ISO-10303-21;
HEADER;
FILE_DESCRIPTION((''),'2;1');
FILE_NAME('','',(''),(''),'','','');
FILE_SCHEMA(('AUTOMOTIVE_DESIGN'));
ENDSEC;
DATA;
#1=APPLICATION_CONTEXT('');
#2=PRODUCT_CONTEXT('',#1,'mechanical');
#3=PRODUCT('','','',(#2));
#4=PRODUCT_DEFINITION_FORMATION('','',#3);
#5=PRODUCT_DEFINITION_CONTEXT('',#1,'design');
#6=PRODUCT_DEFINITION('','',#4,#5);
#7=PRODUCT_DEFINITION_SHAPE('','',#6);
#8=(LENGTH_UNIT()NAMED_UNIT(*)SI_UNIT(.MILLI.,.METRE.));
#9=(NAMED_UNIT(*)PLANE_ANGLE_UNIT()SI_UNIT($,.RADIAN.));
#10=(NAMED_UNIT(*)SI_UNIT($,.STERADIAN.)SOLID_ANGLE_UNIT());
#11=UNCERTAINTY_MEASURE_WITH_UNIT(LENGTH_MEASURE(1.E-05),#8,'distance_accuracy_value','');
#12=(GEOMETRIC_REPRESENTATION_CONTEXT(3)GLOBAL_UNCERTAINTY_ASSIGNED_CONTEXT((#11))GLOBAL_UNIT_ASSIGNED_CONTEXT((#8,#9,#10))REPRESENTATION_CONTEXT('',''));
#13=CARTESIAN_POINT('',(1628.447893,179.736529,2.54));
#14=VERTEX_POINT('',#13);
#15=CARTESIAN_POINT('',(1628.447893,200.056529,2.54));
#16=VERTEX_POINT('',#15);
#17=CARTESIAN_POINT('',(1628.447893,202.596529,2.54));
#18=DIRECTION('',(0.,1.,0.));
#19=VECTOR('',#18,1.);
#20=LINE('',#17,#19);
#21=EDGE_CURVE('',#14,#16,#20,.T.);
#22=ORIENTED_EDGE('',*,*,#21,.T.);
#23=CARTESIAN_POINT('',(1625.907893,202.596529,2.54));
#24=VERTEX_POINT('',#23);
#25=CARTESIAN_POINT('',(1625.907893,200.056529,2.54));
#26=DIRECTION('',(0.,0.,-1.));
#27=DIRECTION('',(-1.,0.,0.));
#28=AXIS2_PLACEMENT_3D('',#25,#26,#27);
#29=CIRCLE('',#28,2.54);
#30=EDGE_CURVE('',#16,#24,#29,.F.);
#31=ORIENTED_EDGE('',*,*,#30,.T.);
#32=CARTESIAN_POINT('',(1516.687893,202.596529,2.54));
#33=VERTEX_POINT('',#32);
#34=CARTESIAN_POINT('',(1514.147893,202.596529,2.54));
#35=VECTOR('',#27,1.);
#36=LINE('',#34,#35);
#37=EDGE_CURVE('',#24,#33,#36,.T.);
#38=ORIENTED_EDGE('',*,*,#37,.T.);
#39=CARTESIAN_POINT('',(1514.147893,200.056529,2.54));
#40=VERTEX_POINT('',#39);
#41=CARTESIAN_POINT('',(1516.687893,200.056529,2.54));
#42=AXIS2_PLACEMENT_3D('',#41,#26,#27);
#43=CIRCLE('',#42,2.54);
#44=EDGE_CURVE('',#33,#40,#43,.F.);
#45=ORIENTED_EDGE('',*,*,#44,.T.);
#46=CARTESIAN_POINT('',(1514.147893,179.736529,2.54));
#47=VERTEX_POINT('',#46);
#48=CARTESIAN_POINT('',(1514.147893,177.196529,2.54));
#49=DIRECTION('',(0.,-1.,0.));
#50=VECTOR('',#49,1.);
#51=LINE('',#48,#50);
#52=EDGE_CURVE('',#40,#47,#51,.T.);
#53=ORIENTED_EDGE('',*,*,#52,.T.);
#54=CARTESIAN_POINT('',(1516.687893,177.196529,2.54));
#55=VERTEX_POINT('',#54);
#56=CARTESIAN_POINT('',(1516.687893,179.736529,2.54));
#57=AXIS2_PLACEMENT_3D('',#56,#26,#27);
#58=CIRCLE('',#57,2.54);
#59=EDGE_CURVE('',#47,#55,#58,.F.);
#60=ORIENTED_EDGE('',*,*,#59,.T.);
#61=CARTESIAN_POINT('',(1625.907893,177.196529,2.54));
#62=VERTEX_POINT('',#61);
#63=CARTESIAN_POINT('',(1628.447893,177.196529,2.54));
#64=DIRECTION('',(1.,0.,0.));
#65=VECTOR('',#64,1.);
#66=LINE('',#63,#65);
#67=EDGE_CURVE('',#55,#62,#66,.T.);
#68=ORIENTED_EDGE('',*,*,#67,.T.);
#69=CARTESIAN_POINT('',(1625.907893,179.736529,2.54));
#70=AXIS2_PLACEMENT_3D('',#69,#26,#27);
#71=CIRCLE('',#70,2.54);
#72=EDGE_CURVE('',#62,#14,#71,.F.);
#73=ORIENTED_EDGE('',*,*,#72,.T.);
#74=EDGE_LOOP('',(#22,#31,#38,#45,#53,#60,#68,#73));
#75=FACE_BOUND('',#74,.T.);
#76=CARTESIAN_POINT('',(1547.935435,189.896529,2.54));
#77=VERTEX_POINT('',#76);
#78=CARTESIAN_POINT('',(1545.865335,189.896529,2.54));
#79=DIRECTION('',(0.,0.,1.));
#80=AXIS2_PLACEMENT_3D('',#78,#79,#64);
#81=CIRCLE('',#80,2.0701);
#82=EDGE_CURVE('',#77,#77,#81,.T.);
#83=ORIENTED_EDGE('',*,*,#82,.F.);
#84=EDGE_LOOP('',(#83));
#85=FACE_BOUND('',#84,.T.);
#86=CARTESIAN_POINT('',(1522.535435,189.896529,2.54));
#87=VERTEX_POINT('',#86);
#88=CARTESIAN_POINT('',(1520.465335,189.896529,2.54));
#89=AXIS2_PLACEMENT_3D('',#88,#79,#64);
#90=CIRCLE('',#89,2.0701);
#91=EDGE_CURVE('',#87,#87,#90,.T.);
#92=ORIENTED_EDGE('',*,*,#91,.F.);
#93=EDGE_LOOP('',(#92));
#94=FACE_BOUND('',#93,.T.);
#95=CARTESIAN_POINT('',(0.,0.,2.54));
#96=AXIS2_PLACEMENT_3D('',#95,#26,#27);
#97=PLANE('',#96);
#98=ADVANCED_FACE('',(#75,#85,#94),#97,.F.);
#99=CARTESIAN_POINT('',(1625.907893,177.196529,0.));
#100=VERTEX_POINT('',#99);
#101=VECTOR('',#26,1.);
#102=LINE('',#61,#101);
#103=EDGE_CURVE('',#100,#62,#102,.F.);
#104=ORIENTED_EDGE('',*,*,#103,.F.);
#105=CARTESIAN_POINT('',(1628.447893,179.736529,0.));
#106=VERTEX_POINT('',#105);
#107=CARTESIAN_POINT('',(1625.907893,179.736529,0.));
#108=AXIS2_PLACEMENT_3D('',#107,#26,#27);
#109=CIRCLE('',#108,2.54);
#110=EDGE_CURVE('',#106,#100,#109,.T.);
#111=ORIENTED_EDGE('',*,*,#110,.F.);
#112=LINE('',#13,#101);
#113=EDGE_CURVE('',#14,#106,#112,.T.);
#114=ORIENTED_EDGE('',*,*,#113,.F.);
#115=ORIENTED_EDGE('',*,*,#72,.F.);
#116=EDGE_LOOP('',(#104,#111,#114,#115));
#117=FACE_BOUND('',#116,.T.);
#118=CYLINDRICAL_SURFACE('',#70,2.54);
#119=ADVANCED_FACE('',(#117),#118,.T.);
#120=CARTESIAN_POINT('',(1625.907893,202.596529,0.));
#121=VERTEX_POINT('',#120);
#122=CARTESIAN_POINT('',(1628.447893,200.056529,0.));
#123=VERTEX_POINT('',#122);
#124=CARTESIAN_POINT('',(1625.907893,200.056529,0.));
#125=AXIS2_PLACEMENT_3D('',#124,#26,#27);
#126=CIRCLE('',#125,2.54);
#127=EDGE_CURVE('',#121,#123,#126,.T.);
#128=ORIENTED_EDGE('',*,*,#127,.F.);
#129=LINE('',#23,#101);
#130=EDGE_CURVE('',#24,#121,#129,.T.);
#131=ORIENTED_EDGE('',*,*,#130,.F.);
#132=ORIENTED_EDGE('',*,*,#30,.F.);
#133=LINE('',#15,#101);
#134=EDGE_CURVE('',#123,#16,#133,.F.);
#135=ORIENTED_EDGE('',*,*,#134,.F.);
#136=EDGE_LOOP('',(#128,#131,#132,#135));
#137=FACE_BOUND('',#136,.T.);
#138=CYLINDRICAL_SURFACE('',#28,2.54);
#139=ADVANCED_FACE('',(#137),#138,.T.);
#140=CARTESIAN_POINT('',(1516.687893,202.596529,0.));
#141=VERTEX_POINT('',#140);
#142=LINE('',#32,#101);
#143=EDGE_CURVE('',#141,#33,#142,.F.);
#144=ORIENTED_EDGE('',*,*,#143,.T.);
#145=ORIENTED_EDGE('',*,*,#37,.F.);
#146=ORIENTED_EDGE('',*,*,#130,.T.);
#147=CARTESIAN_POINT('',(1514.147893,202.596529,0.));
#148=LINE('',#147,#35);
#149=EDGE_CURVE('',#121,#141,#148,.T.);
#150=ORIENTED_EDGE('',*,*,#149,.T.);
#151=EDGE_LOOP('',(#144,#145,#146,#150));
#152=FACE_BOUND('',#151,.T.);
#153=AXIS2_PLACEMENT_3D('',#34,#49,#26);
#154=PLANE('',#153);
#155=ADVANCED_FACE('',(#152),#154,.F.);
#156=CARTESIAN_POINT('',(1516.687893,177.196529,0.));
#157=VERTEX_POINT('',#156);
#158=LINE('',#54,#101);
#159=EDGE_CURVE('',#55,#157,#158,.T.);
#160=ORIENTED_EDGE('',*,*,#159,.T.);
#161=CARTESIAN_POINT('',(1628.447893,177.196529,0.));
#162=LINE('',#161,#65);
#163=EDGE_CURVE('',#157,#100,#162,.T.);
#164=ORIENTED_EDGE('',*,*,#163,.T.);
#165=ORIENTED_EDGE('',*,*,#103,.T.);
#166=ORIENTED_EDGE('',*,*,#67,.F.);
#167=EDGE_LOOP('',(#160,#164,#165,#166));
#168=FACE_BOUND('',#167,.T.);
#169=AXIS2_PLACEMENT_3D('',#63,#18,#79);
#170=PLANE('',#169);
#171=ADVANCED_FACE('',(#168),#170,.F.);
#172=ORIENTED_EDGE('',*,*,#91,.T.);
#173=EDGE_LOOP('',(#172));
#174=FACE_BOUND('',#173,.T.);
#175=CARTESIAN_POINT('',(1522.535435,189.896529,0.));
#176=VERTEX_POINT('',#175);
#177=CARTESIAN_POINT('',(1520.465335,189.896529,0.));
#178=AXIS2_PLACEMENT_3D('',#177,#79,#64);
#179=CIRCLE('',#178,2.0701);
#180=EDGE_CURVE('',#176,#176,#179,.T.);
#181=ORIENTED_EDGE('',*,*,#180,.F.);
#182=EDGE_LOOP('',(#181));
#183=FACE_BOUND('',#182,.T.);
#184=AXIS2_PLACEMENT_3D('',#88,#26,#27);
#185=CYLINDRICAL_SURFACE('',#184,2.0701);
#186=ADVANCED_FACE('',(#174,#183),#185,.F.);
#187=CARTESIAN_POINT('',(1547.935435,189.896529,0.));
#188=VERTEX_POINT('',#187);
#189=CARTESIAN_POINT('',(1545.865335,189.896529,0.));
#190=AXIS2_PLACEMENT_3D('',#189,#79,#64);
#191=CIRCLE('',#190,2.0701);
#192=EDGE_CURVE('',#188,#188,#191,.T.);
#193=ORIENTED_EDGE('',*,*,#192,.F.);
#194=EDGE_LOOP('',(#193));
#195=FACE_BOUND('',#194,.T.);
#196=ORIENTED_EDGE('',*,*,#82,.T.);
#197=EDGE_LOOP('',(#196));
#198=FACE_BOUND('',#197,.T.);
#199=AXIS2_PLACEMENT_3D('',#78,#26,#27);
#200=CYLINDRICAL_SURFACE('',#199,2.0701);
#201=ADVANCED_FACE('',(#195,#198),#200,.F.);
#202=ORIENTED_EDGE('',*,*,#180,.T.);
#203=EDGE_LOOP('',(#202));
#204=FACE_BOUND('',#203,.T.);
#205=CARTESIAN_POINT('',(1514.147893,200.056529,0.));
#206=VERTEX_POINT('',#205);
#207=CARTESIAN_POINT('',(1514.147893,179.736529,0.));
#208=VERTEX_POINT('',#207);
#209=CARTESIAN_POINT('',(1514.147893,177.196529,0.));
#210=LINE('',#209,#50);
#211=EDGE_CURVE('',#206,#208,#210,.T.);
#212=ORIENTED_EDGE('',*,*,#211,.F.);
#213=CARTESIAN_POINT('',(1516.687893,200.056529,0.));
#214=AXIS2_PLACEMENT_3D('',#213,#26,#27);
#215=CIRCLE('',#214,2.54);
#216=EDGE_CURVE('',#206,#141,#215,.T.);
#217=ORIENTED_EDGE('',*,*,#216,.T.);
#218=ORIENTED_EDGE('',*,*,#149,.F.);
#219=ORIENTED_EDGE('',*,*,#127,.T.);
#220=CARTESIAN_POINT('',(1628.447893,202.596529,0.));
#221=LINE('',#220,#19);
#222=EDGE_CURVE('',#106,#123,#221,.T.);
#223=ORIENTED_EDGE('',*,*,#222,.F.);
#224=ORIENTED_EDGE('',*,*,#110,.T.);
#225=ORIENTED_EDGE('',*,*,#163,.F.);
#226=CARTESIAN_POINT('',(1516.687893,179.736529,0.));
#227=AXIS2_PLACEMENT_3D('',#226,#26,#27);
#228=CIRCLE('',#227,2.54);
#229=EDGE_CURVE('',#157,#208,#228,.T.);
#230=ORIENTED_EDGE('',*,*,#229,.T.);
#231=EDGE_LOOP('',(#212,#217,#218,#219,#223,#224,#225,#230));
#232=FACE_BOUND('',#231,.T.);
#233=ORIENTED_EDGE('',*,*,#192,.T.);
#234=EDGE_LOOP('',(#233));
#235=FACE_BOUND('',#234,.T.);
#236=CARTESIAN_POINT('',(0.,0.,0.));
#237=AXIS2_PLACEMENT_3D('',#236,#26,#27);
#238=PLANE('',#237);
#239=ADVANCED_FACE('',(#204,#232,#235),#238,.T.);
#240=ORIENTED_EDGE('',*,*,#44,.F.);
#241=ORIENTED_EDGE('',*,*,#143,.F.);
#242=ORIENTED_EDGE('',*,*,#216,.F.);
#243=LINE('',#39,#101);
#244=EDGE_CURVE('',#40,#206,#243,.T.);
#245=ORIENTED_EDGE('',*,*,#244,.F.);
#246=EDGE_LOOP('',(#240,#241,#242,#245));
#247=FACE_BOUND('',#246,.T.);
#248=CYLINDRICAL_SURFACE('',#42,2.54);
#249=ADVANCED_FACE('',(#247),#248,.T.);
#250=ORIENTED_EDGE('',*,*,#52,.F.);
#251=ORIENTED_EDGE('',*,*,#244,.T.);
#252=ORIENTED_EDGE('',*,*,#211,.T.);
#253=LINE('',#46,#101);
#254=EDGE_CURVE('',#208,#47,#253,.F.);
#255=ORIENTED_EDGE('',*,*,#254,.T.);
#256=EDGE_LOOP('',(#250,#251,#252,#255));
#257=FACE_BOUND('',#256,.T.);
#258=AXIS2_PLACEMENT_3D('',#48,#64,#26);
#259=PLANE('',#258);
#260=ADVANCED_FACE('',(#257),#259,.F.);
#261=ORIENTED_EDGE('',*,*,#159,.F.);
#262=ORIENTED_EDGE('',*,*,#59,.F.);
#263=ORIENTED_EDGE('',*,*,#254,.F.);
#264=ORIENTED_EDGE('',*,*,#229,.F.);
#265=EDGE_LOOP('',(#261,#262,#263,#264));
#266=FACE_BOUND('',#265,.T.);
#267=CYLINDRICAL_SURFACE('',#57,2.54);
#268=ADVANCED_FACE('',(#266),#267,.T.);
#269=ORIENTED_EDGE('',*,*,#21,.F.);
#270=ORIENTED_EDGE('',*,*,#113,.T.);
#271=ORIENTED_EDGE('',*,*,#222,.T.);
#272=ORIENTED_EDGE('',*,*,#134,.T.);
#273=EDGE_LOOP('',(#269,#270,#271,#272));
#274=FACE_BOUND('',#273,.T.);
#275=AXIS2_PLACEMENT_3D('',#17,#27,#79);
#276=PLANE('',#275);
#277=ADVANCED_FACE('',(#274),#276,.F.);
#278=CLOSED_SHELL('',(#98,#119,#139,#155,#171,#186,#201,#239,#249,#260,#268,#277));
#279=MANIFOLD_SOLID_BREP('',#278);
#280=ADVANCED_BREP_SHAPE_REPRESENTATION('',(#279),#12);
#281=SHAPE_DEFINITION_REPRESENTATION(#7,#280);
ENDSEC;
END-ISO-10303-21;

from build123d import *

# Parameters (mm, degrees)
SKETCH1_W           = 114.3
SKETCH1_H           = 25.4
SKETCH1_R           = 2.0701
BOSS_EXTRUDE1_DEPTH = 2.54
FILLET1_R           = 2.54


with BuildPart() as part:
    # Sketch1 → Boss-Extrude1 (new body)
    with BuildSketch(Plane.XY):
        with Locations((1571.297892637, 189.896529369)):
            Rectangle(SKETCH1_W, SKETCH1_H)
        with Locations((1545.865334821, 189.896529369)):
            Circle(SKETCH1_R, mode=Mode.SUBTRACT)
        with Locations((1520.465334821, 189.896529369)):
            Circle(SKETCH1_R, mode=Mode.SUBTRACT)
    extrude(amount=BOSS_EXTRUDE1_DEPTH)

    # Fillet1
    fillet1_edges = [part.edges().sort_by_distance(p)[0] for p in [
        (1628.447892637, 202.596529369, 1.27),
        (1628.447892637, 177.196529369, 1.27),
        (1514.147892637, 177.196529369, 1.27),
        (1514.147892637, 202.596529369, 1.27),
    ]]
    fillet(fillet1_edges, radius=FILLET1_R)


solid = part.part
